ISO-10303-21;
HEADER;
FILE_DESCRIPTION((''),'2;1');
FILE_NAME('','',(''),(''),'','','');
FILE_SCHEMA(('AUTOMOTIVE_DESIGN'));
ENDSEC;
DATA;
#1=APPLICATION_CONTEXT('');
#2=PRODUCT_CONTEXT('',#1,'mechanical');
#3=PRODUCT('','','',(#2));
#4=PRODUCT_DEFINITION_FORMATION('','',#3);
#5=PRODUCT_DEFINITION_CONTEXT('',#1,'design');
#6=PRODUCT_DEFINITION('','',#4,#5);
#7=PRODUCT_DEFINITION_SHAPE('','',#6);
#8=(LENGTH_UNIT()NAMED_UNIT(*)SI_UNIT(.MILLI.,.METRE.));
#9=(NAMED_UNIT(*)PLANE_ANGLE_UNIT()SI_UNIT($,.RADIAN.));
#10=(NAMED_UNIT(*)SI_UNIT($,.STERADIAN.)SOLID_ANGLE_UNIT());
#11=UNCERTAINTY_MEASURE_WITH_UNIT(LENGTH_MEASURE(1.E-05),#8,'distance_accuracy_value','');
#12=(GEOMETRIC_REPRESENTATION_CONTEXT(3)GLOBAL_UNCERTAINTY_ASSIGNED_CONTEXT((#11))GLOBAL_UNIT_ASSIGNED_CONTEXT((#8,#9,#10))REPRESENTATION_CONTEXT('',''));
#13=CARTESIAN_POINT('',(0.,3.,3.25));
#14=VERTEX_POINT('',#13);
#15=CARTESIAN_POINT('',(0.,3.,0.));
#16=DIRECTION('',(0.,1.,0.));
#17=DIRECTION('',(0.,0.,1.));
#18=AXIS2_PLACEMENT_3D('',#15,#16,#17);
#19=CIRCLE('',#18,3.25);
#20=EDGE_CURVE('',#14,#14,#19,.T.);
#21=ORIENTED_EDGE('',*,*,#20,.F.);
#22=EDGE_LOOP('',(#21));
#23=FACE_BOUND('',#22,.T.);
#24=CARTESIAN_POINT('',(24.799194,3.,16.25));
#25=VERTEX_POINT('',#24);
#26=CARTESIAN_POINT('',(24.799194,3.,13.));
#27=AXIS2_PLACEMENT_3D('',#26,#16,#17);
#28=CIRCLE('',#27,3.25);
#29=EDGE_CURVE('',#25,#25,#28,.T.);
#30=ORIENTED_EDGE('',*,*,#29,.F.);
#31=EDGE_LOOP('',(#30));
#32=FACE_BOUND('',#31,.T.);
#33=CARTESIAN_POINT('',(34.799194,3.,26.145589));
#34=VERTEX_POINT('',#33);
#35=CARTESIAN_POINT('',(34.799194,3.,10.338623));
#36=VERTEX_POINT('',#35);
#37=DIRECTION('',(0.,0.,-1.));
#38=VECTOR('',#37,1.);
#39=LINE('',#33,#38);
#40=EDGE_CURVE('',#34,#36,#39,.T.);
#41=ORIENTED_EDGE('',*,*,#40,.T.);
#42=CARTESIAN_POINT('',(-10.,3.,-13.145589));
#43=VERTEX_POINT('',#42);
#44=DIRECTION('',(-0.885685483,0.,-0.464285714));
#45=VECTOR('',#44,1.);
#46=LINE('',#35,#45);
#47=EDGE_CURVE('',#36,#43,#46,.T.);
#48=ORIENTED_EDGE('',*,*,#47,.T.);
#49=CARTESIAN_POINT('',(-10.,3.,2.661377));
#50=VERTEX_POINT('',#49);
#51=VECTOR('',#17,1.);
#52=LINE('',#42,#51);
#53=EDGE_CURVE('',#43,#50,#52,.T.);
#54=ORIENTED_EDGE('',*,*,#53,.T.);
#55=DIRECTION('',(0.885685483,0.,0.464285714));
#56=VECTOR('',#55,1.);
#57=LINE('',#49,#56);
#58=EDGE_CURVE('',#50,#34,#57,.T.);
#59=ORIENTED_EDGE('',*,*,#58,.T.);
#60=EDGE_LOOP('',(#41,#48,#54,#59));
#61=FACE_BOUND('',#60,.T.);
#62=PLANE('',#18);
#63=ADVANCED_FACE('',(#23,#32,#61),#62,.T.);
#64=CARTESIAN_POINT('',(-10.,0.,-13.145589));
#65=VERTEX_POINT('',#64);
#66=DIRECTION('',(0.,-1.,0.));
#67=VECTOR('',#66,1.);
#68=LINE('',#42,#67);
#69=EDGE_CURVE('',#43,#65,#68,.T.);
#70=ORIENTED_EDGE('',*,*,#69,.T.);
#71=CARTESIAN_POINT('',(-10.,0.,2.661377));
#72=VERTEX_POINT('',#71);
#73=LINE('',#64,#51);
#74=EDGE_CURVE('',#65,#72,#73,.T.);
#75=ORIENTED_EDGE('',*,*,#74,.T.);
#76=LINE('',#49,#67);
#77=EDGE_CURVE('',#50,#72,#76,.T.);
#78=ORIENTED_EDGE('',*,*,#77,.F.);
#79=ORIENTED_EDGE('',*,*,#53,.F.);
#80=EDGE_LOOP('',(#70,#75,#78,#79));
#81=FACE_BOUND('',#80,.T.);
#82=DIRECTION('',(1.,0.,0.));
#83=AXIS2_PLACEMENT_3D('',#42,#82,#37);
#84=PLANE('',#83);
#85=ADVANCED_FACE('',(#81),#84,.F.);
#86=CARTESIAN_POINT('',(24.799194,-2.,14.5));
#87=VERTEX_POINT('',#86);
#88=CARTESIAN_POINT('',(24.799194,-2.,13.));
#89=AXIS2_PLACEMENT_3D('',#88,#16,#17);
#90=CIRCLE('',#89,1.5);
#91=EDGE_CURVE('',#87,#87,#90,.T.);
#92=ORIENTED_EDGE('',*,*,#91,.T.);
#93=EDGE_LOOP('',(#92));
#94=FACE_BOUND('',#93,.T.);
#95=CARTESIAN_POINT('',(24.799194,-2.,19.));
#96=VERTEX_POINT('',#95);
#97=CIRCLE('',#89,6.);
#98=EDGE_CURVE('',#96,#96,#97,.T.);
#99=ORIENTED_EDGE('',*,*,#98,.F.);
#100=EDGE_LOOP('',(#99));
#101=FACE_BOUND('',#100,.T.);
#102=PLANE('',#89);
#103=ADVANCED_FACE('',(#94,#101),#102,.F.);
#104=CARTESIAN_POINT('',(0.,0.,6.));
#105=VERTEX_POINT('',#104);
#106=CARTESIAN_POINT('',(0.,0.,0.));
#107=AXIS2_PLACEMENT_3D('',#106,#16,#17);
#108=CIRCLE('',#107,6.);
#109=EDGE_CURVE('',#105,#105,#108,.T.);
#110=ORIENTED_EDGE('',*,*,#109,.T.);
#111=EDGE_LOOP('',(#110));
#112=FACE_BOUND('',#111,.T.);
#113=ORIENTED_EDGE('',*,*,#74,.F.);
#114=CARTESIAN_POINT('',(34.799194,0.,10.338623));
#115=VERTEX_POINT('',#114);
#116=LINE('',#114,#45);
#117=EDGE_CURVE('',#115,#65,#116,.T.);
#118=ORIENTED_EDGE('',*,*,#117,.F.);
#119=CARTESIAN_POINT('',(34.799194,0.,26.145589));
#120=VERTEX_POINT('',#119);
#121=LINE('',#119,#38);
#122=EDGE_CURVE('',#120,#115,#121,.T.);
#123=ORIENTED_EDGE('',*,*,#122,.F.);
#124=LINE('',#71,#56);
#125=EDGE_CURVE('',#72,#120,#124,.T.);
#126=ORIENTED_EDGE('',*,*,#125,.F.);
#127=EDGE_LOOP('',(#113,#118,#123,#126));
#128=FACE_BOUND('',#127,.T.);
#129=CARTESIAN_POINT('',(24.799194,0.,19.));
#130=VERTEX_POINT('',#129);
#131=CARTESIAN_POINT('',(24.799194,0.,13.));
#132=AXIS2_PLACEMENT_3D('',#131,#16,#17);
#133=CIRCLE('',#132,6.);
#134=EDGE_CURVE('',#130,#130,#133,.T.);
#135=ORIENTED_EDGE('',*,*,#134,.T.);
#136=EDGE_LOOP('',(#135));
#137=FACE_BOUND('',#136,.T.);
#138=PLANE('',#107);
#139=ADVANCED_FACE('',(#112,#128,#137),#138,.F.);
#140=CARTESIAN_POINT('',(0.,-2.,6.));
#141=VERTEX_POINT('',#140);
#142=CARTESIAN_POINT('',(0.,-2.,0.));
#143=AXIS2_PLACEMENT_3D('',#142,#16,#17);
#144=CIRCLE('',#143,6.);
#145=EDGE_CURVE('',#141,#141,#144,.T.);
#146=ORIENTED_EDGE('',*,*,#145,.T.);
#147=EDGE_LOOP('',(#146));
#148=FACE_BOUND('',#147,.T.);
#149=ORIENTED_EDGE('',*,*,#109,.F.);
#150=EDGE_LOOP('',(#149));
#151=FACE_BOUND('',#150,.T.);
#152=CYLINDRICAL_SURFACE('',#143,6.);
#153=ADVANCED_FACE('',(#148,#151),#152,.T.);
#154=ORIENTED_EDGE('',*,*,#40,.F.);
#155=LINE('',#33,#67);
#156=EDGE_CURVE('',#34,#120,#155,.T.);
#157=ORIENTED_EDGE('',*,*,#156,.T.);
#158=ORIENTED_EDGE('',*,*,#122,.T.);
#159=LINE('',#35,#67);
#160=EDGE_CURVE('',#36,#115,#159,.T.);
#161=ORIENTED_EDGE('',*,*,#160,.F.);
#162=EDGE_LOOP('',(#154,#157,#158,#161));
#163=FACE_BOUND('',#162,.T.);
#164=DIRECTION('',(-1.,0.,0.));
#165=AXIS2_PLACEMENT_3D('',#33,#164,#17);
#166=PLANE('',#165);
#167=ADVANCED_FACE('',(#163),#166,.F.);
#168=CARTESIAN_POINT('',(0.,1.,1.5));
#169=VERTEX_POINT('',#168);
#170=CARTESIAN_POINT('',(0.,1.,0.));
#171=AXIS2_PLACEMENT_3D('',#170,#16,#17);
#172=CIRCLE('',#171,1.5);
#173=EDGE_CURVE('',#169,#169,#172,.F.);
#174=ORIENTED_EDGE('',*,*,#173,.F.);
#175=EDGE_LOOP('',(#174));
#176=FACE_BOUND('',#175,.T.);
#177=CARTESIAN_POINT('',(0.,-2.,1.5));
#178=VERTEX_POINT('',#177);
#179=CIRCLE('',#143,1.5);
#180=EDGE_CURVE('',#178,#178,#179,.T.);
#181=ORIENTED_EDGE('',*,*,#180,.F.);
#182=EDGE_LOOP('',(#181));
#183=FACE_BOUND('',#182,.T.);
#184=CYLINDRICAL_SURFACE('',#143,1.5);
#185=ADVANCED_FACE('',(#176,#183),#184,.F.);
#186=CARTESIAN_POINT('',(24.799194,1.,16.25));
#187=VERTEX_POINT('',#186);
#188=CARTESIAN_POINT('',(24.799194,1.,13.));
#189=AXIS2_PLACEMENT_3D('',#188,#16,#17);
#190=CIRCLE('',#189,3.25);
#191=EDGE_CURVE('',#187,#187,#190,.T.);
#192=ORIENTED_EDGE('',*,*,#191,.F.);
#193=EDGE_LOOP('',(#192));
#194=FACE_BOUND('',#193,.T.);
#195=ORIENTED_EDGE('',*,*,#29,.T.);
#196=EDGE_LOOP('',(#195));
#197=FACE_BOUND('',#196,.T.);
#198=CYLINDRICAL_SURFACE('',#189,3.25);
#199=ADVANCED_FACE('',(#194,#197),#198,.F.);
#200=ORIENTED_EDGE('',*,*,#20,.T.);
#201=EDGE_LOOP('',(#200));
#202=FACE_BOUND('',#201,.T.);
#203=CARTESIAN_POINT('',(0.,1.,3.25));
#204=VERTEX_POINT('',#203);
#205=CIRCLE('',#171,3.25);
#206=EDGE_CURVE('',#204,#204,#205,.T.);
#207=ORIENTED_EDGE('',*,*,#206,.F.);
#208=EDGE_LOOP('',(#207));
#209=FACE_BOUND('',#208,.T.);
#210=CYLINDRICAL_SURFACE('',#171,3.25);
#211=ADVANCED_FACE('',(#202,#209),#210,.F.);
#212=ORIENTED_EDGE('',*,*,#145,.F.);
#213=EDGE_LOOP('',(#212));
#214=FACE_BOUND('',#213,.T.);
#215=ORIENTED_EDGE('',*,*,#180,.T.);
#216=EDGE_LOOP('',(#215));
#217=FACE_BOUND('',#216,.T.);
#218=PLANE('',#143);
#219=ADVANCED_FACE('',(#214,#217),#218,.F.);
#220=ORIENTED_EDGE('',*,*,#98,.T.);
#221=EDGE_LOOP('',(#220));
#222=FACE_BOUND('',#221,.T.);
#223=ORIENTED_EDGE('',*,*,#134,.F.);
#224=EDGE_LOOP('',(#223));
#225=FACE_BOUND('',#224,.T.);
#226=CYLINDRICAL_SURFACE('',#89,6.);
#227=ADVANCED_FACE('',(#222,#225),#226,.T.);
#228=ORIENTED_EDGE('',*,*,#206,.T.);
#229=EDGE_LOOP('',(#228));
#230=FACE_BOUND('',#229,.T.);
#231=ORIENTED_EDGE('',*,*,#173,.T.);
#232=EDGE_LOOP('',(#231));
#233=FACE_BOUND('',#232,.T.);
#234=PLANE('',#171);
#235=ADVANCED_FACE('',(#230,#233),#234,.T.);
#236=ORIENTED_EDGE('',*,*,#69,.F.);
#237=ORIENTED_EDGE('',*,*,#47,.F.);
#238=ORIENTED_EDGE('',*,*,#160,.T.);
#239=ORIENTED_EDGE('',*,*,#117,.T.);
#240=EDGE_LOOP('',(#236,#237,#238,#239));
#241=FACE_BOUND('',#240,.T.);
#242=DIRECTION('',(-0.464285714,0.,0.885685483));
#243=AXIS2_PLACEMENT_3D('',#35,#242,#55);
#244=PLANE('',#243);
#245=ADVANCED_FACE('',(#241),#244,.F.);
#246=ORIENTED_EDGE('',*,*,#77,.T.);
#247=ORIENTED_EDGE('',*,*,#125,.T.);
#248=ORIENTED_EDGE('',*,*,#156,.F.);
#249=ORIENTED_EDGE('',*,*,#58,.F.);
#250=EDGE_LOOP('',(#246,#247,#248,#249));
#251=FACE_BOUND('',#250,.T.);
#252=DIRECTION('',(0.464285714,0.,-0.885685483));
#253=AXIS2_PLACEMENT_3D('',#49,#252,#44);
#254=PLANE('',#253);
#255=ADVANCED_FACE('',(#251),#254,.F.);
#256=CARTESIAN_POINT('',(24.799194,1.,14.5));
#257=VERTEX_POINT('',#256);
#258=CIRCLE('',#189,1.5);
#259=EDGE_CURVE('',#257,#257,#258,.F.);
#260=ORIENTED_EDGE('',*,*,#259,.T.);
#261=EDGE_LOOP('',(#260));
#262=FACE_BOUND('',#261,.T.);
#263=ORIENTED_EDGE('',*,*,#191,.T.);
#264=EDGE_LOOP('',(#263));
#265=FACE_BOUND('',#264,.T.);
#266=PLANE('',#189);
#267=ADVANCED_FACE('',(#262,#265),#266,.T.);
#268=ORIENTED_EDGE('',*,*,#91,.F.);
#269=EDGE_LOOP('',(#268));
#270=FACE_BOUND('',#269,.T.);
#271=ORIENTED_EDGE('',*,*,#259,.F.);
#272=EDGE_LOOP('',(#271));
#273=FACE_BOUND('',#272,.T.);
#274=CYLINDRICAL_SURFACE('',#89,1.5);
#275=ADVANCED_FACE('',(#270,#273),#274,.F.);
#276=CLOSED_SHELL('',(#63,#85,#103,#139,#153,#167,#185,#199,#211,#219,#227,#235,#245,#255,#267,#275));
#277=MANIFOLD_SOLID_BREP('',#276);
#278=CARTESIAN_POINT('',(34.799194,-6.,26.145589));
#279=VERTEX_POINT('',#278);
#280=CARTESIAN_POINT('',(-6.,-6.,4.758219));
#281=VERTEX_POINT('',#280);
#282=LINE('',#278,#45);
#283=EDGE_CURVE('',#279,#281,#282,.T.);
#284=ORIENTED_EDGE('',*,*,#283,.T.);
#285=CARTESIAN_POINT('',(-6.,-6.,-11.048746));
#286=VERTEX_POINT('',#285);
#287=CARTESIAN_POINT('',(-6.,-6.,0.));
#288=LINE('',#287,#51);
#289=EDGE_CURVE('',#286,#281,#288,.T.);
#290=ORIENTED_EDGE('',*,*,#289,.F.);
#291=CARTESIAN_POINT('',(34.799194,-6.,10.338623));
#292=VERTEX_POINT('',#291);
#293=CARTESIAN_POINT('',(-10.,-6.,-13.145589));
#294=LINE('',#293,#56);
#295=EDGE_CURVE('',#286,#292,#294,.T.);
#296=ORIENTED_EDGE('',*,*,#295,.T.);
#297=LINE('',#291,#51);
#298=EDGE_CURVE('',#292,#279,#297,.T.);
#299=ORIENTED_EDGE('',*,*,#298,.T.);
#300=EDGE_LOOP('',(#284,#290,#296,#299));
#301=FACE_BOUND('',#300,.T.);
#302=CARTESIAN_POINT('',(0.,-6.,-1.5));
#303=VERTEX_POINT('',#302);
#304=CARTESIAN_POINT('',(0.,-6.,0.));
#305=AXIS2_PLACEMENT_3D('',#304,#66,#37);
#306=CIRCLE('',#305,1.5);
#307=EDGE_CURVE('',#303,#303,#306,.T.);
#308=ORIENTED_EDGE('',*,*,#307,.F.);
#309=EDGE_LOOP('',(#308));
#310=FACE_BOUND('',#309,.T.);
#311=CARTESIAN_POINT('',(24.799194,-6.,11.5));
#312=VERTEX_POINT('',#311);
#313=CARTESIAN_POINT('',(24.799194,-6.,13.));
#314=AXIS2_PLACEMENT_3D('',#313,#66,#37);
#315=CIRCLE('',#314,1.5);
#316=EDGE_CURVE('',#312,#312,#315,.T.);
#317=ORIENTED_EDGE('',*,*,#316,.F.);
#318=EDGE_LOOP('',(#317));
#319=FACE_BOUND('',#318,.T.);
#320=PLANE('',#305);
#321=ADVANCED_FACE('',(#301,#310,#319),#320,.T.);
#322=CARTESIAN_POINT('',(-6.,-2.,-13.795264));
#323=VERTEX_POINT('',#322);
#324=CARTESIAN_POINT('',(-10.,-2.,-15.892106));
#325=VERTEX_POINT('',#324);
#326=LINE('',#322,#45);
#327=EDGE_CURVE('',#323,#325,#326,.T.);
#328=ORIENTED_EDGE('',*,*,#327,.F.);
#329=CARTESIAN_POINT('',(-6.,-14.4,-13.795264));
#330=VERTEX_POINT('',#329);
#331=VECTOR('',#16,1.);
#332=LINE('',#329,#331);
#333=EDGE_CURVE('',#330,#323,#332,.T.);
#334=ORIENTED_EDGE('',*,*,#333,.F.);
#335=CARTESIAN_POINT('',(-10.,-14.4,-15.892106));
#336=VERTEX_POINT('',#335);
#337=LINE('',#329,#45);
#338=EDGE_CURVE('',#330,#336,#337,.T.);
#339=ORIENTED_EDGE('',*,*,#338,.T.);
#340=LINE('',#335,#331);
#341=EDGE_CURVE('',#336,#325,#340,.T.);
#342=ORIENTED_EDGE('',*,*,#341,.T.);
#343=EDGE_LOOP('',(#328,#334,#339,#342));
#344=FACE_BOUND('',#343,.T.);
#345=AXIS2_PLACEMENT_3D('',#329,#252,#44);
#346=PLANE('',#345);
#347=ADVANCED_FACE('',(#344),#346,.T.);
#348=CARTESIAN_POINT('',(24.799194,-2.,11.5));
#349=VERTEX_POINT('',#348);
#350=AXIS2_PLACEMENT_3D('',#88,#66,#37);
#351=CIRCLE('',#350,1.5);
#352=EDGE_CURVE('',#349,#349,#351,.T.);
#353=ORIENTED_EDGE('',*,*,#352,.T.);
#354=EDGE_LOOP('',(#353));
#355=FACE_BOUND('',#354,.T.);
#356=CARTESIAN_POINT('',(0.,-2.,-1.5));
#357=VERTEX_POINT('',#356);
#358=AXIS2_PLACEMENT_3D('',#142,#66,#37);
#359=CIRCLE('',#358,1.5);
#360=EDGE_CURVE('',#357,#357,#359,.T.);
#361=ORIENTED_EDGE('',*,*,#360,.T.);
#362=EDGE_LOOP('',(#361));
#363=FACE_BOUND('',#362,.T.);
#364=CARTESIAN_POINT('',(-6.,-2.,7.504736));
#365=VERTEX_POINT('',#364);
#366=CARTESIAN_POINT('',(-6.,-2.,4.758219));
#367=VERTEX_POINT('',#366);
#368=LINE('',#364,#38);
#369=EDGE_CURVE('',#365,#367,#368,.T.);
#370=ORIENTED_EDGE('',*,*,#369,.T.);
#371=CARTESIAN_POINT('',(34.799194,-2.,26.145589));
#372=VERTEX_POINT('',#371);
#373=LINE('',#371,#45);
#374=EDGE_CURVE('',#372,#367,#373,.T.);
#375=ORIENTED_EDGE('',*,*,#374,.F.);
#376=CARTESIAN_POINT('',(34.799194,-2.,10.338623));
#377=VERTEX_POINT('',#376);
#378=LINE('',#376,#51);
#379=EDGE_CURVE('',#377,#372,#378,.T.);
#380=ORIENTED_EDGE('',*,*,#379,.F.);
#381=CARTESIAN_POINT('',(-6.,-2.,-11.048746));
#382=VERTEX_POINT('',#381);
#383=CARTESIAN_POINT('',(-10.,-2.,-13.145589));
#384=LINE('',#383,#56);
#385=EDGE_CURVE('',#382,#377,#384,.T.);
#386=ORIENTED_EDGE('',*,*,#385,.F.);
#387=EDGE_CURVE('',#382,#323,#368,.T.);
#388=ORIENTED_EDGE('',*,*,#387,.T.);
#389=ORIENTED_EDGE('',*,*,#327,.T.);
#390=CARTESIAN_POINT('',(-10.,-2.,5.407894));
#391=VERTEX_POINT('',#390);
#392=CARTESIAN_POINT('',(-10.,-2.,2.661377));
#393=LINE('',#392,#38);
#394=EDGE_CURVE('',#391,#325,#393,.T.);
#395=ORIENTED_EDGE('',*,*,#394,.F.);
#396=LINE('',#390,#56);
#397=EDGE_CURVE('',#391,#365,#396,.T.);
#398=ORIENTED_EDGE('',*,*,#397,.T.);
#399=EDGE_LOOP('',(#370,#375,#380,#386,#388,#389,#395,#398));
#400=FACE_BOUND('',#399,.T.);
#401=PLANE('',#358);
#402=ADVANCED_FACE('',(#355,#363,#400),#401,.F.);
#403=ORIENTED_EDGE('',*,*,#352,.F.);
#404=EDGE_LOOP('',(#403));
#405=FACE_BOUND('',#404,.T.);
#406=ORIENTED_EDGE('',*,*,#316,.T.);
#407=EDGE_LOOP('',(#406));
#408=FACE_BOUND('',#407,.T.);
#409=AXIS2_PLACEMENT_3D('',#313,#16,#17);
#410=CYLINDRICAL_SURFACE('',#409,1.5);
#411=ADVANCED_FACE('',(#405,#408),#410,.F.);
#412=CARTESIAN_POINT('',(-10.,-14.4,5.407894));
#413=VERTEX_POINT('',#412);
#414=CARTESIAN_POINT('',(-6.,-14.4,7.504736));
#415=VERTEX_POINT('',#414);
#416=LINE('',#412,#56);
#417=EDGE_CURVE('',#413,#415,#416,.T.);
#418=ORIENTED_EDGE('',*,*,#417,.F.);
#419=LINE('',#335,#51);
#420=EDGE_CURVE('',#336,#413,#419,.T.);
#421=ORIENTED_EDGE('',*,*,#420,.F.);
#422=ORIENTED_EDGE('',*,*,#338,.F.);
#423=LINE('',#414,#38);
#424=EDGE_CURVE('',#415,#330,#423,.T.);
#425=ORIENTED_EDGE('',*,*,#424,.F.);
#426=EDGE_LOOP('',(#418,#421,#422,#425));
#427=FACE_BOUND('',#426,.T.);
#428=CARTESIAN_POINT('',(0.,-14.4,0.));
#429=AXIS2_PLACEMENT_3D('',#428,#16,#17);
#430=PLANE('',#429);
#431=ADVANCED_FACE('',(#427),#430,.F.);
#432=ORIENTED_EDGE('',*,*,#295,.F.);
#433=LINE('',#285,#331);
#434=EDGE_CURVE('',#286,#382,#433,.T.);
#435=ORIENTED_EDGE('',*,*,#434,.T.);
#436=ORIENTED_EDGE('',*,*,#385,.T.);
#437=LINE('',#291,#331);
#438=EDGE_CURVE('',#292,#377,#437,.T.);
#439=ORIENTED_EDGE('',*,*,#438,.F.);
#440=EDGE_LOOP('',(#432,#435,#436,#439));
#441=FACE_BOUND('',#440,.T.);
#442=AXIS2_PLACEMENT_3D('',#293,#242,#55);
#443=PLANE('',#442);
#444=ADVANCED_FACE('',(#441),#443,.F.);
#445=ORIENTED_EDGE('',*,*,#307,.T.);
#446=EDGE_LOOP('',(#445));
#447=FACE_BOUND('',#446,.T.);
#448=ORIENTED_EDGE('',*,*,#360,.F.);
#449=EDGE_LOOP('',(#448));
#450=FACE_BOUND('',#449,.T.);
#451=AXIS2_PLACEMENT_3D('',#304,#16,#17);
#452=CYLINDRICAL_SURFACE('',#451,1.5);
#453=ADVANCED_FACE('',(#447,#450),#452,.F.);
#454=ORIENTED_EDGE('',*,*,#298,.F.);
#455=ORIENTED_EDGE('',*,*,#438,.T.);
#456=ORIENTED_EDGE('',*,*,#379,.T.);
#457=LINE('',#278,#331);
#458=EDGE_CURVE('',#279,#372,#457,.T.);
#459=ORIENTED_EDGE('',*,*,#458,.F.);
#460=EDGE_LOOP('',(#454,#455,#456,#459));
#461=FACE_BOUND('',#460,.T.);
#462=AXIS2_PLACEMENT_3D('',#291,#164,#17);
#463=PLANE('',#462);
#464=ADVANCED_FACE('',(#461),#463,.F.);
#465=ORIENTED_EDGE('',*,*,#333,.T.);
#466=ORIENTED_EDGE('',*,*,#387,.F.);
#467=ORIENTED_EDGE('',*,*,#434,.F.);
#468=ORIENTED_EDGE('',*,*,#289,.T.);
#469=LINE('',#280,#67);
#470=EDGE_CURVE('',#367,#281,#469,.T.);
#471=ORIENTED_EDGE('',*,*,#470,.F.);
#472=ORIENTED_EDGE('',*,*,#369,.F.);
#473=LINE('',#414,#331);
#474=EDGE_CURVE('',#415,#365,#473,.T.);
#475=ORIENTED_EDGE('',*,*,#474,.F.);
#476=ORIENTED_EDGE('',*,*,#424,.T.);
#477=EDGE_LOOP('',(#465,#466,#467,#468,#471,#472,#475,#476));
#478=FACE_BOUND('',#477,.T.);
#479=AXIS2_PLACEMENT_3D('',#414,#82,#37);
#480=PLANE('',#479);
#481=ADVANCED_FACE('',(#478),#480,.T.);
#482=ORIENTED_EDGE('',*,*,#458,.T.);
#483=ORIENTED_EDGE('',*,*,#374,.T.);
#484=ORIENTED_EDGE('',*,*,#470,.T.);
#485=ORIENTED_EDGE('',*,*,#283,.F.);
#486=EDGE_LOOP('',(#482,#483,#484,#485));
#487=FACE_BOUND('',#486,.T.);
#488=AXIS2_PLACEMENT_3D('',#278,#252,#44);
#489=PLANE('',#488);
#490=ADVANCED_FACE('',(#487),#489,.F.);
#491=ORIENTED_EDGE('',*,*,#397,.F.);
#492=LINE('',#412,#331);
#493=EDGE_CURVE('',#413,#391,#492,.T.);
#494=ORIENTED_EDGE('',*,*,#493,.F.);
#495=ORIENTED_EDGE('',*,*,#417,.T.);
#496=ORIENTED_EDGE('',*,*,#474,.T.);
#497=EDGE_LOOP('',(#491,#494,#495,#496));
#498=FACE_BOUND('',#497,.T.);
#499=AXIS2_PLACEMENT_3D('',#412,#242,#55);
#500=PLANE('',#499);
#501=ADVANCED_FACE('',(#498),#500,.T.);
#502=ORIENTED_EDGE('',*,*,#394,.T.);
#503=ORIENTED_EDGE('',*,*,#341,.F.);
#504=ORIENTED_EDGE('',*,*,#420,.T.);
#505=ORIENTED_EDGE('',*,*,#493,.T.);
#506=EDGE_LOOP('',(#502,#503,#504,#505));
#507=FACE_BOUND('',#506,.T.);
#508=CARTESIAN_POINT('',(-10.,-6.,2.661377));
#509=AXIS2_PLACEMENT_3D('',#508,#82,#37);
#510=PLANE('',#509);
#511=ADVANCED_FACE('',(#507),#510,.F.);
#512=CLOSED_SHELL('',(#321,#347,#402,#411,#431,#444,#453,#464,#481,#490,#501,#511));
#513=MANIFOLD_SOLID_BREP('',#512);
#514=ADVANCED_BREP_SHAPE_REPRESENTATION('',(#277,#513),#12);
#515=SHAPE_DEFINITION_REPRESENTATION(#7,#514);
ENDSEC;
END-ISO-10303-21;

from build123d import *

# Parameters (mm, degrees)
BOSS_EXTRUDE1_DEPTH = 3
SKETCH1_R           = 6
BOSS_EXTRUDE3_DEPTH = 2
SKETCH4_R           = 1.5
CUT_EXTRUDE1_DEPTH  = 44.812962497
SKETCH5_R           = 3.25
CUT_EXTRUDE2_DEPTH  = 2
SKETCH6_R           = 1.5
BOSS_EXTRUDE4_DEPTH = 4
BOSS_EXTRUDE5_DEPTH = 12.4


with BuildPart() as part:
    # Sketch3 → Boss-Extrude1 (new body)
    with BuildSketch(Plane(origin=(0, 0, 0), x_dir=(1, 0, 0), z_dir=(0, 1, 0))):
        Polygon((-10, 13.145588768), (-10, -2.661376867), (34.799193535, -26.145588768), (34.799193535, -10.338623133), align=None)
    extrude(amount=BOSS_EXTRUDE1_DEPTH)

    # Sketch1 → Boss-Extrude3 (add)
    with BuildSketch(Plane(origin=(0, 0, 0), x_dir=(1, 0, 0), z_dir=(0, 1, 0))):
        with Locations(Location((0, 0, 0), (0, 0, 270))):
            Circle(SKETCH1_R)
        with Locations(Location((24.799193535, -13, 0), (0, 0, 270))):
            Circle(SKETCH1_R)
    extrude(amount=-BOSS_EXTRUDE3_DEPTH)

    # Sketch4 → Cut-Extrude1 (cut, through all)
    with BuildSketch(Plane(origin=(0, 3, 0), x_dir=(1, 0, 0), z_dir=(0, 1, 0))):
        with Locations(Location((0, 0, 0), (0, 0, 270))):
            Circle(SKETCH4_R)
        with Locations(Location((24.799193535, -13, 0), (0, 0, 270))):
            Circle(SKETCH4_R)
    extrude(amount=-CUT_EXTRUDE1_DEPTH, mode=Mode.SUBTRACT)

    # Sketch5 → Cut-Extrude2 (cut)
    with BuildSketch(Plane(origin=(0, 3, 0), x_dir=(1, 0, 0), z_dir=(0, 1, 0))):
        with Locations(Location((0, 0, 0), (0, 0, 270))):
            Circle(SKETCH5_R)
        with Locations(Location((24.799193535, -13, 0), (0, 0, 270))):
            Circle(SKETCH5_R)
    extrude(amount=-CUT_EXTRUDE2_DEPTH, mode=Mode.SUBTRACT)


with BuildPart() as body_2:
    # Sketch6 → Boss-Extrude4 (new body)
    with BuildSketch(Plane.XZ.offset(2)):
        Polygon((-10, 2.661376867), (-10, -13.145588768), (34.799193535, 10.338623133), (34.799193535, 26.145588768), align=None)
        with Locations(Location((0, 0, 0), (0, 0, 270))):
            Circle(SKETCH6_R, mode=Mode.SUBTRACT)
        with Locations(Location((24.799193535, 13, 0), (0, 0, 270))):
            Circle(SKETCH6_R, mode=Mode.SUBTRACT)
    extrude(amount=BOSS_EXTRUDE4_DEPTH)

    # Sketch7 → Boss-Extrude5 (add)
    with BuildSketch(Plane(origin=(0, -2, 0), x_dir=(1, 0, 0), z_dir=(0, 1, 0))):
        Polygon((-10, 15.892105951), (-10, -5.407894049), (-6, -7.50473643), (-6, 13.79526357), align=None)
    extrude(amount=-BOSS_EXTRUDE5_DEPTH)


solid = Compound([part.part, body_2.part])
